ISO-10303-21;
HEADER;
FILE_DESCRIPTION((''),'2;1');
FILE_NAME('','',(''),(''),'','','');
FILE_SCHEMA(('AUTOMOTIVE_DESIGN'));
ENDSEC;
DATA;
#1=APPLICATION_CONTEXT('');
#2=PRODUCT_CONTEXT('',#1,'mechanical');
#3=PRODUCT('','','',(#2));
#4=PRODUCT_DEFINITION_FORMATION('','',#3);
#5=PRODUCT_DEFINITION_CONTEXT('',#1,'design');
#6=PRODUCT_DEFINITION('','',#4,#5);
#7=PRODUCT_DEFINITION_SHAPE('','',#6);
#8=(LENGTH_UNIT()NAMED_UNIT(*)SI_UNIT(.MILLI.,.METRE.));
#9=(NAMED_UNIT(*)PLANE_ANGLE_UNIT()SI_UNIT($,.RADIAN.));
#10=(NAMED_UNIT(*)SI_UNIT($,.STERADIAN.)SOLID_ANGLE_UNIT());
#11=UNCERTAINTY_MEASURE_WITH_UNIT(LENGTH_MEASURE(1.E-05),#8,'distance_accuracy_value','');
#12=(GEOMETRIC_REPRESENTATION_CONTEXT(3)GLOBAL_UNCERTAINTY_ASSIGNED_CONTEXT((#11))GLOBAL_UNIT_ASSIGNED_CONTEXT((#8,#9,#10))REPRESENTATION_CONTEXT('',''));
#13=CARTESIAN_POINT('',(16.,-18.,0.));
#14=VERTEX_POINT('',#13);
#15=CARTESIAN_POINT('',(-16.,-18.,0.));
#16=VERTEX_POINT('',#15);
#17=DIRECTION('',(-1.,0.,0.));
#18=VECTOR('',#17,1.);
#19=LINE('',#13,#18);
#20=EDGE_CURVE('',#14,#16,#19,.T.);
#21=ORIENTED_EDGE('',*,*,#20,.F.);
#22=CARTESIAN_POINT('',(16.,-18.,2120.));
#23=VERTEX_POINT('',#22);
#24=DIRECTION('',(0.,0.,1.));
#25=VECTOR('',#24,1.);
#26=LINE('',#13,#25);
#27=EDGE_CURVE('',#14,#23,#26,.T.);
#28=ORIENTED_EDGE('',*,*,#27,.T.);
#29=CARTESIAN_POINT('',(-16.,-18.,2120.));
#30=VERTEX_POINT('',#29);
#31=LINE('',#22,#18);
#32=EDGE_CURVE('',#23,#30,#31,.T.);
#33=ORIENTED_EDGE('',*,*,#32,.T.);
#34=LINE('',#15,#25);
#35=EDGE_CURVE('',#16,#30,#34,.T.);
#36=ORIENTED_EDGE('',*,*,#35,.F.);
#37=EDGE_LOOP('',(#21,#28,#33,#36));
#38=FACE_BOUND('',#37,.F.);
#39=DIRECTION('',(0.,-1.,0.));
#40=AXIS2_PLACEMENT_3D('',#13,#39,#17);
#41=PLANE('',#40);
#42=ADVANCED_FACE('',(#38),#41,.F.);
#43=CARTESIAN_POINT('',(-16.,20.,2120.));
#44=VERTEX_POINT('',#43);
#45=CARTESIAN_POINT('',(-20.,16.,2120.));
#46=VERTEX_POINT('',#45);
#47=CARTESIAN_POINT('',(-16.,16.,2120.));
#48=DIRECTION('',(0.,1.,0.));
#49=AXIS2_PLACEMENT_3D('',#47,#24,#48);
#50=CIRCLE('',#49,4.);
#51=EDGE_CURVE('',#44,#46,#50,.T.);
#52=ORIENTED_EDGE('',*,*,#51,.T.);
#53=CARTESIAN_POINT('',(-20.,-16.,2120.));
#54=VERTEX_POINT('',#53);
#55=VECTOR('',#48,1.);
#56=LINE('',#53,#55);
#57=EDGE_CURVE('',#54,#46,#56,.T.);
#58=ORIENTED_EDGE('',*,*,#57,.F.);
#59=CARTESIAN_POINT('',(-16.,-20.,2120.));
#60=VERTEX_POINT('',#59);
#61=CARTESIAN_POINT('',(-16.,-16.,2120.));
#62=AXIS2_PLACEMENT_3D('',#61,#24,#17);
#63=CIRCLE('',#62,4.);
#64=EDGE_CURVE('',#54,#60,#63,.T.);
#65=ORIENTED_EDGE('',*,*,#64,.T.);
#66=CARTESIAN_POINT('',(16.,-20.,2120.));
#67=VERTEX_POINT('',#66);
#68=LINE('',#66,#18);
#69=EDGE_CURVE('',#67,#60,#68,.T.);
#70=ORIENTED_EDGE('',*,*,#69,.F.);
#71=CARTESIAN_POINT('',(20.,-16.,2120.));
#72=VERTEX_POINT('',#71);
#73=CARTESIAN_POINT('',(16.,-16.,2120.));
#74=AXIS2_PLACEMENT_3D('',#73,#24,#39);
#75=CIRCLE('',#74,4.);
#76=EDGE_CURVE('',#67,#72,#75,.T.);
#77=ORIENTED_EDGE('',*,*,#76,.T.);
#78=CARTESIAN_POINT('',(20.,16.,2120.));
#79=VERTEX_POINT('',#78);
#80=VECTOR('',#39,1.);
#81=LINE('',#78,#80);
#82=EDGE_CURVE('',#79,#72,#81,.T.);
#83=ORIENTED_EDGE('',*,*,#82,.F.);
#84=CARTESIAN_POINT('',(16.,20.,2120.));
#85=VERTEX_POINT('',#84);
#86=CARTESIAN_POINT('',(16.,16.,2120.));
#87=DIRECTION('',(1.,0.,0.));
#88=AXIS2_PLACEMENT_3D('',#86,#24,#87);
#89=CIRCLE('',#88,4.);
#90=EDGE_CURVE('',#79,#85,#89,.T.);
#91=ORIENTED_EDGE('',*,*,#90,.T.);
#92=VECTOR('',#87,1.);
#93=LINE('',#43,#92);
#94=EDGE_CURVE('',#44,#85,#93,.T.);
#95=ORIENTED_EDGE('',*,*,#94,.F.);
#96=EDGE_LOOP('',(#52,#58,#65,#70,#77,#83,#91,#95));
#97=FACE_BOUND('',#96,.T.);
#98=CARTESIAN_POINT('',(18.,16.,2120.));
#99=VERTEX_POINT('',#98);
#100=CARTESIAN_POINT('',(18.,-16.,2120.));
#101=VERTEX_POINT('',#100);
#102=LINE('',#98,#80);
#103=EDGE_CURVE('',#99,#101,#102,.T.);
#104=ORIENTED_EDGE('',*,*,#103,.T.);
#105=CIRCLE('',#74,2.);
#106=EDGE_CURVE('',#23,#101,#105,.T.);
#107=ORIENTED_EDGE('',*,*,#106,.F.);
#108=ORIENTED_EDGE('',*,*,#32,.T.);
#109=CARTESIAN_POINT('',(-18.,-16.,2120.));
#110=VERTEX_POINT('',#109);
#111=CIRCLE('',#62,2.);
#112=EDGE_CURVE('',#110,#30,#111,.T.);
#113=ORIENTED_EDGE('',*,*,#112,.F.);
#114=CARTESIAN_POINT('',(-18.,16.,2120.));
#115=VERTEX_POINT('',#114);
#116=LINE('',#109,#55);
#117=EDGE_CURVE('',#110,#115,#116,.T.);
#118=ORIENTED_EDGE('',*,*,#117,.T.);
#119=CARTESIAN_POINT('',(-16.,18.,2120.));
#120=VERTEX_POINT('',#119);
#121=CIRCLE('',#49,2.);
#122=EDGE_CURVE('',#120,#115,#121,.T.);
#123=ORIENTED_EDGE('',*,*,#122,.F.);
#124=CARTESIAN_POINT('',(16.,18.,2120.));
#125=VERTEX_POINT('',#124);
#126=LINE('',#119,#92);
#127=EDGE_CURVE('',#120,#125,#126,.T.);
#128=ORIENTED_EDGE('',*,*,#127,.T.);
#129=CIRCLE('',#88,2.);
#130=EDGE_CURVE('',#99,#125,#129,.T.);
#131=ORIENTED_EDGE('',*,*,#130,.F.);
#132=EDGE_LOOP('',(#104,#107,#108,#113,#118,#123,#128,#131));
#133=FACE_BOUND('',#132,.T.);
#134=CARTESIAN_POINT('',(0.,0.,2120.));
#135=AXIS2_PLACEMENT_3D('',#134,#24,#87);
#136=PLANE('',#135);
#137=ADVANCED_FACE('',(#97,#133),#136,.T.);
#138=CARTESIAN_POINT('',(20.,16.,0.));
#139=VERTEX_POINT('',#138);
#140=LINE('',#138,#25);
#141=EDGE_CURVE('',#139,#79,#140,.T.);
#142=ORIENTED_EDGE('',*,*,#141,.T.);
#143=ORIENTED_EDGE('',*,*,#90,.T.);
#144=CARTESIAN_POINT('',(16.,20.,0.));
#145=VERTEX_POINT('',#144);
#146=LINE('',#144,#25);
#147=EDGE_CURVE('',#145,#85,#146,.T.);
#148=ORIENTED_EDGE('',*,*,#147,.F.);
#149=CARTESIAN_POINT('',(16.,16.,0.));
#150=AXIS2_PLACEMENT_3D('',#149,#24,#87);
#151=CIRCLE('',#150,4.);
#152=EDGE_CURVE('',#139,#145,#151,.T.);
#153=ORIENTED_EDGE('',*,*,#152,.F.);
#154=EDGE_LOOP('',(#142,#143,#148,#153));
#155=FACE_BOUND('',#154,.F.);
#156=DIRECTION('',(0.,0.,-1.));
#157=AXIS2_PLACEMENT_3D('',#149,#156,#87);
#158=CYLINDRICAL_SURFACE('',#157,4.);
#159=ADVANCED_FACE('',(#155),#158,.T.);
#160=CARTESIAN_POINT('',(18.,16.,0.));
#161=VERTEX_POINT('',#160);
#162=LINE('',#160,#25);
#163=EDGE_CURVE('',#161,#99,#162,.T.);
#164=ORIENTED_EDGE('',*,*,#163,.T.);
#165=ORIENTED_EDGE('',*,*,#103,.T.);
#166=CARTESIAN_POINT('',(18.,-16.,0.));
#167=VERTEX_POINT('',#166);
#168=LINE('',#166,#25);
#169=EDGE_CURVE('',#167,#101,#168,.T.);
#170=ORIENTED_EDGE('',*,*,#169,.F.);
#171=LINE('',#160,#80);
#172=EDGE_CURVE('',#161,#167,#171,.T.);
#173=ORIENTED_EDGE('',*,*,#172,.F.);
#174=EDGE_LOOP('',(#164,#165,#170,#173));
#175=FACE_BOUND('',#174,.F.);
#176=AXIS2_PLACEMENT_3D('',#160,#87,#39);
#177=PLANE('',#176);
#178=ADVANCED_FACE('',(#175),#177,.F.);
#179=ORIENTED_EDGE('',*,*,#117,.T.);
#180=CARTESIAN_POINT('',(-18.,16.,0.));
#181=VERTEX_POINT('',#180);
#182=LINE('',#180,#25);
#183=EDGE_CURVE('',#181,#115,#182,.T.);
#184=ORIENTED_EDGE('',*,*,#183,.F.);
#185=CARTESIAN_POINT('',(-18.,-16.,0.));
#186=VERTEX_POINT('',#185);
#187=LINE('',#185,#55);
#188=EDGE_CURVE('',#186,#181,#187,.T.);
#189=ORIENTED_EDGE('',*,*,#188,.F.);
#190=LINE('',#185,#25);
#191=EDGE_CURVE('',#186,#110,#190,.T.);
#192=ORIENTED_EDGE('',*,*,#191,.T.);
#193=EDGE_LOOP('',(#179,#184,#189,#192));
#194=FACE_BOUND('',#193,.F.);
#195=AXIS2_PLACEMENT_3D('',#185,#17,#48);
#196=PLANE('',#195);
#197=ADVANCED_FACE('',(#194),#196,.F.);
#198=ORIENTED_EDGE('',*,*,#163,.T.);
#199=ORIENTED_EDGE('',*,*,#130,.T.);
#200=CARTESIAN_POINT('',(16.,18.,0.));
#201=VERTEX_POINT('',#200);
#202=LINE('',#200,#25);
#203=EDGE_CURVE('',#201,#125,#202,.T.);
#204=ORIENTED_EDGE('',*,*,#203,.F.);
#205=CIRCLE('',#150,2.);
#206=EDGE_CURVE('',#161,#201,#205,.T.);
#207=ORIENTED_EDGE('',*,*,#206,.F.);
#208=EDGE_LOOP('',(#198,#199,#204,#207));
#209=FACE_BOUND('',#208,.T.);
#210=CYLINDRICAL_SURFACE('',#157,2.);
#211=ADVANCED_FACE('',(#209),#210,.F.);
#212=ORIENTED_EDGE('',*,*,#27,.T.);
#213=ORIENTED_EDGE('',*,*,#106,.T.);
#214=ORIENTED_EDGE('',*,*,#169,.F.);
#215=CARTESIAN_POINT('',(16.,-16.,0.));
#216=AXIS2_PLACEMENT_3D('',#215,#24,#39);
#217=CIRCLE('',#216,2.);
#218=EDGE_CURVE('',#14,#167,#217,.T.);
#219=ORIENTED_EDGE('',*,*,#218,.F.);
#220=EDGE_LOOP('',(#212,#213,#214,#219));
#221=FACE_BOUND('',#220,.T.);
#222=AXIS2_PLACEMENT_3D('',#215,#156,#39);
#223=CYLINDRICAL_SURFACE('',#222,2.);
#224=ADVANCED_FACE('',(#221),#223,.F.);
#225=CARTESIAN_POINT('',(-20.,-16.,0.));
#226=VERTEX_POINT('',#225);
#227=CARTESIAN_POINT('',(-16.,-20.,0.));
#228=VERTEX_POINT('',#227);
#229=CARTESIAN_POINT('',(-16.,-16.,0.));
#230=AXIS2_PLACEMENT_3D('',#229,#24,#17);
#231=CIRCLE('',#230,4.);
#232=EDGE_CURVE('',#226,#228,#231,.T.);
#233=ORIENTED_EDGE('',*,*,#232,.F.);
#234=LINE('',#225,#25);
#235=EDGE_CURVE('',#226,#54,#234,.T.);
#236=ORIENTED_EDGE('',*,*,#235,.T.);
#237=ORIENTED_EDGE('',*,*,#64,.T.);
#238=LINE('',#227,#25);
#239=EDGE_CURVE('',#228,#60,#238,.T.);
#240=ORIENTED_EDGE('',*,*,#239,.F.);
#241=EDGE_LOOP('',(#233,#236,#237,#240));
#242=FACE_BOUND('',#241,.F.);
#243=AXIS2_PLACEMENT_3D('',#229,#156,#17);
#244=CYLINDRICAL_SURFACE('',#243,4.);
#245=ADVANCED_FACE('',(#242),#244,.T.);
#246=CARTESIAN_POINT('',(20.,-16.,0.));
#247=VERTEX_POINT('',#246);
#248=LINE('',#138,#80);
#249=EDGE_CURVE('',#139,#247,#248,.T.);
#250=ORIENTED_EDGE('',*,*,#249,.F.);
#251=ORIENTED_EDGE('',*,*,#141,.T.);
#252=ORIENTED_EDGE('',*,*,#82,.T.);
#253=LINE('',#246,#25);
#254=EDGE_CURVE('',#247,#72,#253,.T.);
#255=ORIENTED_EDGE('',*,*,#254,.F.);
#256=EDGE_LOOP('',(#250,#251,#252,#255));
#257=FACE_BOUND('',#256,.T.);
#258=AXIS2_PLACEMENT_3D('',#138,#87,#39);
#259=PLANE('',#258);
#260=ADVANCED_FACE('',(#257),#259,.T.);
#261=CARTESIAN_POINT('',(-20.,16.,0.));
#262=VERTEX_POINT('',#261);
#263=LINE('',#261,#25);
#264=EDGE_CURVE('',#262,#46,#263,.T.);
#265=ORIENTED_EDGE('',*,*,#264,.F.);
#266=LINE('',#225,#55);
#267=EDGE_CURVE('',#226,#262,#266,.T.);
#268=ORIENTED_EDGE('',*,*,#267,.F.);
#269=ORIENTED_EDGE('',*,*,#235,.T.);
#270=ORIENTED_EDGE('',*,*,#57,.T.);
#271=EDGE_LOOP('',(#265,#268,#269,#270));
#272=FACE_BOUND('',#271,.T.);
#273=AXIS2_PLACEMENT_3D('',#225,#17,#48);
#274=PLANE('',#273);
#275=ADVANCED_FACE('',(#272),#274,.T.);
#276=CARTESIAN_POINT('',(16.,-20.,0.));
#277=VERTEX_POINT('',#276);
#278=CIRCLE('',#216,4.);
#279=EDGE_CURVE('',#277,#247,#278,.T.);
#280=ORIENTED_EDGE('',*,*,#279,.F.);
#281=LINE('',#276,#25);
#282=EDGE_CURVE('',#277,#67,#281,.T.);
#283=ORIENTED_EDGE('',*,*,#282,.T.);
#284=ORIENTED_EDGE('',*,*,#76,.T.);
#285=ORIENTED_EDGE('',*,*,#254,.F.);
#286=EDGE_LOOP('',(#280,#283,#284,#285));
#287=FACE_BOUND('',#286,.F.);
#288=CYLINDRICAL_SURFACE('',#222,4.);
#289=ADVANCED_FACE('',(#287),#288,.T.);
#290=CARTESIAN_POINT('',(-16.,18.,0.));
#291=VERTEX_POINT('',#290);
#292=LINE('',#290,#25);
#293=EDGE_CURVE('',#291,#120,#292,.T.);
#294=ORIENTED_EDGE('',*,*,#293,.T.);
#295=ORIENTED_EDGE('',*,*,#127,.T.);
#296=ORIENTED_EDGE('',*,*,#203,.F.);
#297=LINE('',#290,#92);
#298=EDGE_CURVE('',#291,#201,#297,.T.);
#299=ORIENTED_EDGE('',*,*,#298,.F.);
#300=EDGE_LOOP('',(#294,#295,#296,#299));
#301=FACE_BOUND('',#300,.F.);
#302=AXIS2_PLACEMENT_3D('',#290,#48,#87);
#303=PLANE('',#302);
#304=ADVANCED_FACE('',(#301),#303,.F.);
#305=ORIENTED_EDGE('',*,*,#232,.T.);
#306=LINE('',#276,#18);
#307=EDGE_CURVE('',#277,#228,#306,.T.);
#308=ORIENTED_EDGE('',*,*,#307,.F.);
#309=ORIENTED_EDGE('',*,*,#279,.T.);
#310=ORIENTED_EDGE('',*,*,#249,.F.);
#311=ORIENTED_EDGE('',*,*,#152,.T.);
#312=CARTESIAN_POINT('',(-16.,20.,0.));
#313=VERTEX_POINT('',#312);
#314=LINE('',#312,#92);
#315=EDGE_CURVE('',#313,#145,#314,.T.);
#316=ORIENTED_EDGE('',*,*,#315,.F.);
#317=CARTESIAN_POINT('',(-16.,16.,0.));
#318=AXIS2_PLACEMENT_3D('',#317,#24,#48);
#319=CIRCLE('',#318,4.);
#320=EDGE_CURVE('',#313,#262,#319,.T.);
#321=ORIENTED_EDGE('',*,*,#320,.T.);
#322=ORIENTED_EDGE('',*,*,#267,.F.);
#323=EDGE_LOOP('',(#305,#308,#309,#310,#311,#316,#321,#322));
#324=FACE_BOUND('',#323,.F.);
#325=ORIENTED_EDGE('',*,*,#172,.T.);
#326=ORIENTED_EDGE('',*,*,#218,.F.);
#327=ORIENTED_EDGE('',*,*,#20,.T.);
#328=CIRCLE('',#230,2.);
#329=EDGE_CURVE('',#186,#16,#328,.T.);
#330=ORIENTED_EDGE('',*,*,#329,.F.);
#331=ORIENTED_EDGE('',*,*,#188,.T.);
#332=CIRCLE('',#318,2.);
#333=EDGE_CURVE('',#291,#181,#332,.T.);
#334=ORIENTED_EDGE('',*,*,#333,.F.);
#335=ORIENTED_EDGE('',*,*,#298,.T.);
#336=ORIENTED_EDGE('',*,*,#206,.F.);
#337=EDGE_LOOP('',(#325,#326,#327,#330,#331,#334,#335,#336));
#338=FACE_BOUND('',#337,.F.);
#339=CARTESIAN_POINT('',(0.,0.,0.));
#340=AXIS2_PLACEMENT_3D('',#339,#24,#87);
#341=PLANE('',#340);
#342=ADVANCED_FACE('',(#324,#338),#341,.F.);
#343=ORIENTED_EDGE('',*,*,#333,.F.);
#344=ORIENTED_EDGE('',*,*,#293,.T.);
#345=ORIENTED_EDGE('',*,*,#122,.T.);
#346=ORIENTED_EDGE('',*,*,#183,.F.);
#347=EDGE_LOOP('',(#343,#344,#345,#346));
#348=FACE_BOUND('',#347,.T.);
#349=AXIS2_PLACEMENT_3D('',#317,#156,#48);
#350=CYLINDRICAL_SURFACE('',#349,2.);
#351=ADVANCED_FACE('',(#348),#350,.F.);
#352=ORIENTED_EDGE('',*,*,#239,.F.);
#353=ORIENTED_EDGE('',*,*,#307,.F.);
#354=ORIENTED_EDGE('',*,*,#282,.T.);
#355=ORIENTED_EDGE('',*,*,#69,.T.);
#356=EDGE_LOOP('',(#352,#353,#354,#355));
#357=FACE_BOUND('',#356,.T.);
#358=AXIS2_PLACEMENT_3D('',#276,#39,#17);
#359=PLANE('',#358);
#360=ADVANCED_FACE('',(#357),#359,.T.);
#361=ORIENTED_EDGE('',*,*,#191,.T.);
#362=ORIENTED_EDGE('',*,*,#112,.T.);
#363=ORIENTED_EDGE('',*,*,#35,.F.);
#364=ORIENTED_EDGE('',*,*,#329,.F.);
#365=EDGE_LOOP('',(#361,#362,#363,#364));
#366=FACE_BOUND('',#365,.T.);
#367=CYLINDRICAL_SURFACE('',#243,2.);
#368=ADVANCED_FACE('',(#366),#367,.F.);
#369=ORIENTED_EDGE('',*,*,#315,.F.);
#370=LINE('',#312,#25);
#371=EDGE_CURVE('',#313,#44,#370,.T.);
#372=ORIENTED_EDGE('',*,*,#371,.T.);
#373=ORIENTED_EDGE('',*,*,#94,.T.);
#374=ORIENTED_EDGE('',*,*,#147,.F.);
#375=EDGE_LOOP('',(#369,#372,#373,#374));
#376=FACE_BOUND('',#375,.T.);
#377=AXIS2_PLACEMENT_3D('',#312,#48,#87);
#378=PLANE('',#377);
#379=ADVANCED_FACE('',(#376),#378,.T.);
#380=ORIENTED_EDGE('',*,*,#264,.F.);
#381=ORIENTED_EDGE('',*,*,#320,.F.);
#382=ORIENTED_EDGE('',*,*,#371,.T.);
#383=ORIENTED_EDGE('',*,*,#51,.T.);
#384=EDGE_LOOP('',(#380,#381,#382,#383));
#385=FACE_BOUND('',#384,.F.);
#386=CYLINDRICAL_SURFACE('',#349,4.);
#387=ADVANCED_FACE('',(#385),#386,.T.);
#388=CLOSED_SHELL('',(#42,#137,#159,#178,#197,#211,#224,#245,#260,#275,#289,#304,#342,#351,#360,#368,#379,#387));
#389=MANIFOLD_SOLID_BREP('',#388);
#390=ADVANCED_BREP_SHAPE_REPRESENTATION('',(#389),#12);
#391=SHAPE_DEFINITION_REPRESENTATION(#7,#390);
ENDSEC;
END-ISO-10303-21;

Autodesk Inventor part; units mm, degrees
ref_plane "YZ Plane" through (0, 0, 0) normal (1, 0, 0) x (0, 1, 0)
ref_plane "Start Plane" through (0, 0, 0) normal (0, 0, 1) x (1, 0, 0)
ref_plane "End Plane" through (0, 0, 2120) normal (0, 0, 1) x (1, 0, 0)
sketch "Sketch" plane through (0, 0, 0) normal (0, 0, 1) x (1, 0, 0)
  line L0 (-20, -16) -> (-20, 16)
  line L1 (-16, 20) -> (16, 20)
  line L2 (20, 16) -> (20, -16)
  line L3 (16, -20) -> (-16, -20)
  arc A0 (-20, -16) -> (-16, -20) centre (-16, -16) ccw
  arc A1 (20, 16) -> (16, 20) centre (16, 16) ccw
  arc A2 (-16, 20) -> (-20, 16) centre (-16, 16) ccw
  arc A3 (16, -20) -> (20, -16) centre (16, -16) ccw
  arc A4 (-16, 18) -> (-18, 16) centre (-16, 16) ccw
  line L4 (-16, 18) -> (16, 18)
  arc A5 (18, 16) -> (16, 18) centre (16, 16) ccw
  line L5 (18, 16) -> (18, -16)
  arc A6 (16, -18) -> (18, -16) centre (16, -16) ccw
  line L6 (16, -18) -> (-16, -18)
  arc A7 (-18, -16) -> (-16, -18) centre (-16, -16) ccw
  line L7 (-18, -16) -> (-18, 16)
  line L8 (0, 29.1598) -> (0, -29.1598) construction
  line L9 (-29.1598, 0) -> (29.1598, 0) construction
  dimension "d7" = 4
  dimension "d9" = 40
  dimension "d11" = 40
  dimension "d12" = 2
  dimension "d15" = 20
  dimension "d16" = 20
extrude "Body" add sketch "Sketch" along normal up to surface (2120 mm away) from surface at 0
sketch "Sketch3" plane through (0, 0, 0) normal (0, 0, 1) x (1, 0, 0)
  line L0 (0, 0) -> (10, 0)
ref_plane "Work Plane3" through (0, 0, 0) normal (0, -1, 0) x (1, 0, 0)
sketch "Sketch4" plane through (0, 0, 0) normal (0, -1, 0) x (1, 0, 0)
  line L0 (-2, 0) -> (12, 0) projected
  line L1 (-2, 2120) -> (12, 2120) projected
  dimension "d18" = 2120
equation "\"d7\" = G_IR"
equation "\"d9\" = G_W"
equation "\"d11\" = G_H"
equation "\"d12\" = G_T"
equation "\"d15\" = 0.5 * d9"
equation "\"d16\" = 0.5 * d11"
equation "\"d3\" = G_L"
equation "\"G_W\" = 40"
equation "\"G_H\" = 40"
equation "\"G_T\" = 2"
equation "\"G_IR\" = 4"
equation "\"G_L\" = d18"
equation "\"G_OFFSET_START\" = 0"
equation "\"G_OFFSET_END\" = 0"
properties part number "ISO 4019 - 40x40x2 - 2120" material "Steel, Mild"
